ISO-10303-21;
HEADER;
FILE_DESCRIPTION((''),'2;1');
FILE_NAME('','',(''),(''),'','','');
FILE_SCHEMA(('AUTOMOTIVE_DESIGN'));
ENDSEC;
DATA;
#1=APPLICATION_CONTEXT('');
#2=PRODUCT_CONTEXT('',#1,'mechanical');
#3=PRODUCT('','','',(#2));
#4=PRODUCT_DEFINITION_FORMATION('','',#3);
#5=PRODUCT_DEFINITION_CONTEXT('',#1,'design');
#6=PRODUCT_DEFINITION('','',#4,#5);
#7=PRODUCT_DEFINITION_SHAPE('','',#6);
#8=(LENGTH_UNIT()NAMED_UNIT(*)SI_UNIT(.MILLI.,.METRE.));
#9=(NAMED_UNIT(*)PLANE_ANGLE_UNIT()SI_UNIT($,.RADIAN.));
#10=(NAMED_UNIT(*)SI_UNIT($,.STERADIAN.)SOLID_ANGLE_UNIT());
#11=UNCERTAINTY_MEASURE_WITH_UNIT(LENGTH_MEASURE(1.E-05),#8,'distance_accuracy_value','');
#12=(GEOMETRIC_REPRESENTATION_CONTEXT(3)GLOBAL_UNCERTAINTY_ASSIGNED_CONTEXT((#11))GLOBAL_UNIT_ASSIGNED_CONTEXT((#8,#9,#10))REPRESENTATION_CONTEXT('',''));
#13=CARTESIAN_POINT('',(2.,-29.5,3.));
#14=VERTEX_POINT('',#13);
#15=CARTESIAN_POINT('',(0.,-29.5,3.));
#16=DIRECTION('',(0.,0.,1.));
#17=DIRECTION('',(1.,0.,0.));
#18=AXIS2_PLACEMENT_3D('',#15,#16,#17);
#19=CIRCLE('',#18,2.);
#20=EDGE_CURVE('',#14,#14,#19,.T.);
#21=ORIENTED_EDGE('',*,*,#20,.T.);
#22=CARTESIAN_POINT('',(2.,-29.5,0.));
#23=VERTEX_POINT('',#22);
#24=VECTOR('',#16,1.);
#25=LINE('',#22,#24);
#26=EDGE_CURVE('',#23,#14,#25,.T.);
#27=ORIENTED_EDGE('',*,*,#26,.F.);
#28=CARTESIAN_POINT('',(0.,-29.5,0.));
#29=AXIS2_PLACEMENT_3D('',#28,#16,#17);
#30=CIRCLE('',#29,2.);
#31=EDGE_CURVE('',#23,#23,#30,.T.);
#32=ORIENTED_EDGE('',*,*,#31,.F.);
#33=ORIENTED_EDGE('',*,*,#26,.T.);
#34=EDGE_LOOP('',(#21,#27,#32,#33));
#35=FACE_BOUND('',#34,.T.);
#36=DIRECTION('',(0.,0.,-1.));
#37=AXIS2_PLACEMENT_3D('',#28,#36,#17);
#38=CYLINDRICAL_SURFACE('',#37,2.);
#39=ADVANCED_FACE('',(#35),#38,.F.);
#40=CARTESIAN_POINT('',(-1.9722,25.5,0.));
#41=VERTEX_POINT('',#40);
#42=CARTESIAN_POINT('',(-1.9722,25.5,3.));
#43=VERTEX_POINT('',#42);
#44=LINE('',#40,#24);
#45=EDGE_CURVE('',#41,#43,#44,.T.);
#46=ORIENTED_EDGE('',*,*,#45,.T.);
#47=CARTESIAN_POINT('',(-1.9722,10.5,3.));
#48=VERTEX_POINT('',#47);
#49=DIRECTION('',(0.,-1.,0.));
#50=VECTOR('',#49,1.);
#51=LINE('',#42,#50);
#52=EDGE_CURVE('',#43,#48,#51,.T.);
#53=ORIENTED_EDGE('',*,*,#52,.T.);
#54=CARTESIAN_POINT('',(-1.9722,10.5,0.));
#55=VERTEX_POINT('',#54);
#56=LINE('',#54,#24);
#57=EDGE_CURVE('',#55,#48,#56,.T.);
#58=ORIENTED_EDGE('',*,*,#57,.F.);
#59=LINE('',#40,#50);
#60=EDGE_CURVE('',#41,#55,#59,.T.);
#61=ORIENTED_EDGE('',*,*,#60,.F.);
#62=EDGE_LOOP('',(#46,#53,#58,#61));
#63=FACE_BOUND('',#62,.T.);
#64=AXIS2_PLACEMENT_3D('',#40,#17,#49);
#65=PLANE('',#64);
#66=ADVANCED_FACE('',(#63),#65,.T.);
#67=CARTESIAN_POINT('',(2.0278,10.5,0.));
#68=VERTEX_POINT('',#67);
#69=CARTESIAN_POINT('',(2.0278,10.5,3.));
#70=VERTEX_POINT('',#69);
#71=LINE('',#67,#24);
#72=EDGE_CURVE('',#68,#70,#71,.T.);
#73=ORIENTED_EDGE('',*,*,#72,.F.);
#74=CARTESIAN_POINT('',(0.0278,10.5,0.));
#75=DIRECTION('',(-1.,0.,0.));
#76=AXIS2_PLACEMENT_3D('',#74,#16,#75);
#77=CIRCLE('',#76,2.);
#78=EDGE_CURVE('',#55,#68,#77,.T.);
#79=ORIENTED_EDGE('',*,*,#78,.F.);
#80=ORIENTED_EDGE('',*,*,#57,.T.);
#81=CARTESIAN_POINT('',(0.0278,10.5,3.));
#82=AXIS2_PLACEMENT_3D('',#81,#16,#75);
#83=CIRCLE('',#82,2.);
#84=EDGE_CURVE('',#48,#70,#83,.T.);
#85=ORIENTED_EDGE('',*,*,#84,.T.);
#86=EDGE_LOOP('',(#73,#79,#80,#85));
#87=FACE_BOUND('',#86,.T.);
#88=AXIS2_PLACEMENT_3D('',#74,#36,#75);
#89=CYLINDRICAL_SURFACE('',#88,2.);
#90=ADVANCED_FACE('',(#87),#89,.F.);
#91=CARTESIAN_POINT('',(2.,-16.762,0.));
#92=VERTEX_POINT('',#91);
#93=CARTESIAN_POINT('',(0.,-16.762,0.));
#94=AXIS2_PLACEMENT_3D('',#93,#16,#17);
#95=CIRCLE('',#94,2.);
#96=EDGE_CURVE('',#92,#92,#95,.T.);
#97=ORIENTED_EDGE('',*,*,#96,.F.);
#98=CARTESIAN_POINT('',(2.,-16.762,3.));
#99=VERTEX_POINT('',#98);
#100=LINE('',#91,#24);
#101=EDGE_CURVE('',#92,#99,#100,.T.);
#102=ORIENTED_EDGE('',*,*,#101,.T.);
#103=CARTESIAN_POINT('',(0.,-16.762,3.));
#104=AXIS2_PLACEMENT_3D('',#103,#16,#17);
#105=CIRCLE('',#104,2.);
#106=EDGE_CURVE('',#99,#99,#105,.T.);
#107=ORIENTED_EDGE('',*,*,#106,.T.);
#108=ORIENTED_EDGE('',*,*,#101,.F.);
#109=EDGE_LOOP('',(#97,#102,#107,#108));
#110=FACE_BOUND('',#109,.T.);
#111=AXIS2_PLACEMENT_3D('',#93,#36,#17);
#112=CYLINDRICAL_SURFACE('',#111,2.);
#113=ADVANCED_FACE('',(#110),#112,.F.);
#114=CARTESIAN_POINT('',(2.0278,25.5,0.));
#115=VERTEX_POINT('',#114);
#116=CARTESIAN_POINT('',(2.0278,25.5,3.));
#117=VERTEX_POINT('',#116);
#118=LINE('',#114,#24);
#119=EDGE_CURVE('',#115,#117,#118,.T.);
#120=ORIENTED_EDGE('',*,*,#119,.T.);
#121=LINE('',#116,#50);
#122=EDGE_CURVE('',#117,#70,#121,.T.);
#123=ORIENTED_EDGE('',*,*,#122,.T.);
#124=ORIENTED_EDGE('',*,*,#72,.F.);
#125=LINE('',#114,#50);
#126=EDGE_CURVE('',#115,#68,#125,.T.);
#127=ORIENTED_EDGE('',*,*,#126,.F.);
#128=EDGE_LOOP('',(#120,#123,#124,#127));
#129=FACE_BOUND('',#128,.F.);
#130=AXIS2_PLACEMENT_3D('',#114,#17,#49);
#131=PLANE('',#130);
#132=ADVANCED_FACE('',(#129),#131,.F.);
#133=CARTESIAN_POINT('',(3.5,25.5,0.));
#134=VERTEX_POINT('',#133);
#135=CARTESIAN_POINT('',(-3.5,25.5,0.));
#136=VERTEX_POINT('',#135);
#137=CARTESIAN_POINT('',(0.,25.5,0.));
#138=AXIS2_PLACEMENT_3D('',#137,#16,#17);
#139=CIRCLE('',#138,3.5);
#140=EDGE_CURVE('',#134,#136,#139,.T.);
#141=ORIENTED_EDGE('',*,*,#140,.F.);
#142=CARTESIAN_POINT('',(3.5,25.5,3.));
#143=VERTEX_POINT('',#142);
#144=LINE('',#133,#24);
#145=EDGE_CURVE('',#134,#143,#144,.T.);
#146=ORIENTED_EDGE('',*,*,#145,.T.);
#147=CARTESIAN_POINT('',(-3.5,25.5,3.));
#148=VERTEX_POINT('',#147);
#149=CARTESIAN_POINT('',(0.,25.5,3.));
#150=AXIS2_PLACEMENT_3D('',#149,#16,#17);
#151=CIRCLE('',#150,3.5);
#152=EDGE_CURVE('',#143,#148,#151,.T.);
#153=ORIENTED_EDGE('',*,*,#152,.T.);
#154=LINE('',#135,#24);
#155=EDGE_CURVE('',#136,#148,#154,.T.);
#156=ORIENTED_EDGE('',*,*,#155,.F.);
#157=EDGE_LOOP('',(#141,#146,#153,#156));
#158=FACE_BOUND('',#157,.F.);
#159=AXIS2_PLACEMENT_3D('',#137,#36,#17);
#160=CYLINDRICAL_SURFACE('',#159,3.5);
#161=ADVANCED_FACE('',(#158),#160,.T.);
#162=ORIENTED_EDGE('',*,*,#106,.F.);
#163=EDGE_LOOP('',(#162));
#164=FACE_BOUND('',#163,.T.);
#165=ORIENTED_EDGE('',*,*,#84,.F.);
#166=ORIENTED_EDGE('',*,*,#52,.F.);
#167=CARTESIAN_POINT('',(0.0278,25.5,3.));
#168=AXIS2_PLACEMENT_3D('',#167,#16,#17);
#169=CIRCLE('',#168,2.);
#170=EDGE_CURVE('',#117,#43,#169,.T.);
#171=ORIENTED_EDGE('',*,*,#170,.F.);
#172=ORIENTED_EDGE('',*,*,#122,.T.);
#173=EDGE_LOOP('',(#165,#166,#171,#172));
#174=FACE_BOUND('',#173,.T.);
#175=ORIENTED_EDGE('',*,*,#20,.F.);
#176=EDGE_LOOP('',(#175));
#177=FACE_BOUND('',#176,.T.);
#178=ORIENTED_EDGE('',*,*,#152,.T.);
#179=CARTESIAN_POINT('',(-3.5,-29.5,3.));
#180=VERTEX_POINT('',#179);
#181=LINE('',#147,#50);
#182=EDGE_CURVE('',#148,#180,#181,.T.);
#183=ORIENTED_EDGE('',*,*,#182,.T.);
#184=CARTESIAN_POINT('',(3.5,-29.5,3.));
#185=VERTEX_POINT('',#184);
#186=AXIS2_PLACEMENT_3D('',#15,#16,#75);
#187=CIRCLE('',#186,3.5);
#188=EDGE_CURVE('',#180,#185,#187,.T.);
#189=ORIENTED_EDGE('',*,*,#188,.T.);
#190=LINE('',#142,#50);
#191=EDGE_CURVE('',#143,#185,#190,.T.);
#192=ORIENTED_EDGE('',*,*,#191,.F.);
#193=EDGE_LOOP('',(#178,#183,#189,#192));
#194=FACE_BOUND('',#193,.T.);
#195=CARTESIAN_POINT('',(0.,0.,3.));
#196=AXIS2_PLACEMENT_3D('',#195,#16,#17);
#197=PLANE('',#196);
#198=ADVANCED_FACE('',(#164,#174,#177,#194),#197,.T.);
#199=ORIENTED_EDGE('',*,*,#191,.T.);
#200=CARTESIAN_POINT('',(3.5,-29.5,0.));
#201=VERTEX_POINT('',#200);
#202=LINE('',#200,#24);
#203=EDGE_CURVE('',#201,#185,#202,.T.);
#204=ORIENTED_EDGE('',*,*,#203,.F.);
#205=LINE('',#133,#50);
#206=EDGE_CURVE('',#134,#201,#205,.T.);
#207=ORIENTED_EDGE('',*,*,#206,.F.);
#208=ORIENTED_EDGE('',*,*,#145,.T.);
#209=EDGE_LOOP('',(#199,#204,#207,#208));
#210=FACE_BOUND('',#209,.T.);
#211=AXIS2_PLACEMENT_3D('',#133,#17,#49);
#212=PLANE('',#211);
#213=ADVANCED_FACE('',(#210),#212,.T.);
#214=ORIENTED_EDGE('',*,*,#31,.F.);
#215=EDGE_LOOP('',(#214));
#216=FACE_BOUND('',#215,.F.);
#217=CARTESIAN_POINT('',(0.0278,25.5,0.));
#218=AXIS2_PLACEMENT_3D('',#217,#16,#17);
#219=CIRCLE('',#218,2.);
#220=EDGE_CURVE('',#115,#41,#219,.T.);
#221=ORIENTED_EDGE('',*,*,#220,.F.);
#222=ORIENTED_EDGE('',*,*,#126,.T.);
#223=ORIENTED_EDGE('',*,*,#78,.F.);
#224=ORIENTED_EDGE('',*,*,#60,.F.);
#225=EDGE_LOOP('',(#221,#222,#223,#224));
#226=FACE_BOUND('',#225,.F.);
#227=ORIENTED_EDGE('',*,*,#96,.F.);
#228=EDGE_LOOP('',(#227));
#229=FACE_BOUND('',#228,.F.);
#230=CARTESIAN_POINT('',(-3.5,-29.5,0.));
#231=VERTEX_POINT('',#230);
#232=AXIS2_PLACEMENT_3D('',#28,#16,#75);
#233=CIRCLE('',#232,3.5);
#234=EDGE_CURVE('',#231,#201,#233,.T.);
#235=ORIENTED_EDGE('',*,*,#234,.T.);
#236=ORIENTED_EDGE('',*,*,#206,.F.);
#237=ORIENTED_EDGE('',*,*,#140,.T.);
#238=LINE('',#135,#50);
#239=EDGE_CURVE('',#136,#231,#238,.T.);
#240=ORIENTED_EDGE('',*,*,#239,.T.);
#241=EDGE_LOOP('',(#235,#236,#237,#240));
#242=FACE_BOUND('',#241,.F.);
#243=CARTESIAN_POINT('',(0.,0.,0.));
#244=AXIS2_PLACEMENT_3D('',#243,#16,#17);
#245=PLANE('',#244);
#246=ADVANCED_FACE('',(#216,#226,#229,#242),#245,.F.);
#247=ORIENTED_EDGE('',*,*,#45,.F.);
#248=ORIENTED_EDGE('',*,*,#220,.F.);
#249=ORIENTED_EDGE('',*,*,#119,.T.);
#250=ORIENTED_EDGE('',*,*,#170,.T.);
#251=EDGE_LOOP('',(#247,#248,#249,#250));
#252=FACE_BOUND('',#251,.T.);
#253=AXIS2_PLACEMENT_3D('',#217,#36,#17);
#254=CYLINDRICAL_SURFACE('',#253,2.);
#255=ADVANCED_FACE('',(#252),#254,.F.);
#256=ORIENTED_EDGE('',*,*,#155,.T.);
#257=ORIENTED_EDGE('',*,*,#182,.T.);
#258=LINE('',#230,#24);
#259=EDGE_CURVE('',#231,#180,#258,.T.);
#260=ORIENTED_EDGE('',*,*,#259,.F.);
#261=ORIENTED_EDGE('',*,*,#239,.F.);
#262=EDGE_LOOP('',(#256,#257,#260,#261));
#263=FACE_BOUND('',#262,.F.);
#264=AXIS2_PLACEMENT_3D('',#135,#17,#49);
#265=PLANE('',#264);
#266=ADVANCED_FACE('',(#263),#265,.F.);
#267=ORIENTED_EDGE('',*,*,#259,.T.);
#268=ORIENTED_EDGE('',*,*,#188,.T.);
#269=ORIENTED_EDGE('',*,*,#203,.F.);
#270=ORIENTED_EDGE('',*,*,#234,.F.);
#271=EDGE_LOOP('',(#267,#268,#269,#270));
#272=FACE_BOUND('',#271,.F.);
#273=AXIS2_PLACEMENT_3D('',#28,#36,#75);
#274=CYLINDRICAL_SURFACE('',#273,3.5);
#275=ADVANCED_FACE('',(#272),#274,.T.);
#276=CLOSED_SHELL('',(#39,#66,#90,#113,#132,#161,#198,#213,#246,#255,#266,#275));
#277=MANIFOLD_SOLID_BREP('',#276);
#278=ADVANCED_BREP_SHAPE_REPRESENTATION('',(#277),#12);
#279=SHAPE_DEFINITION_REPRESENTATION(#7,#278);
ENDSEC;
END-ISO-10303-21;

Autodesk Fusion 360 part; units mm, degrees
sketch "Boceto1" plane through (0, 0, 0) normal (0, 0, 1) x (1, 0, 0)
  line L0 (-25.6714, 0) -> (25.6714, 0) construction
  line L1 (0, -23) -> (0, 29) construction
  line L2 (-3.5, 21.001) -> (3.5, 21.001) construction
  line L3 (-4, 25.5) -> (4, 25.5) construction
  arc A0 (3.5, 25.5) -> (-3.5, 25.5) centre (0, 25.5) ccw
  line L4 (-3.5, 25.5) -> (-3.5, -29.5)
  line L5 (3.5, 25.5) -> (3.5, -29.5)
  line L6 (-4, -29.5) -> (4, -29.5) construction
  arc A1 (-3.5, -29.5) -> (3.5, -29.5) centre (0, -29.5) ccw
  circle A2 centre (0, -29.5) radius 2
  circle A3 centre (0, -16.762) radius 2
  line L7 (-1.9722, 25.5) -> (-1.9722, 10.5)
  line L8 (2.0278, 25.5) -> (2.0278, 10.5)
  arc A4 (2.0278, 25.5) -> (-1.9722, 25.5) centre (0.0278, 25.5) ccw
  arc A5 (-1.9722, 10.5) -> (2.0278, 10.5) centre (0.0278, 10.5) ccw
  point P0 (-3.5, 0)
  point P1 (3.5, -0.1376)
  point P2 (0, 21.001)
  point P3 (0, 21.001)
  point P4 (0, -33)
  dimension "d4" = 7
  dimension "d6" = 4
  dimension "d7" = 4
  dimension "d8" = 12.738
  dimension "d9" = 15
  dimension "d10" = 15
  dimension "d11" = 4
  dimension "d14" = 55
  dimension "d15" = 62
extrude "Extruir1" add sketch "Boceto1" along normal blind 3
